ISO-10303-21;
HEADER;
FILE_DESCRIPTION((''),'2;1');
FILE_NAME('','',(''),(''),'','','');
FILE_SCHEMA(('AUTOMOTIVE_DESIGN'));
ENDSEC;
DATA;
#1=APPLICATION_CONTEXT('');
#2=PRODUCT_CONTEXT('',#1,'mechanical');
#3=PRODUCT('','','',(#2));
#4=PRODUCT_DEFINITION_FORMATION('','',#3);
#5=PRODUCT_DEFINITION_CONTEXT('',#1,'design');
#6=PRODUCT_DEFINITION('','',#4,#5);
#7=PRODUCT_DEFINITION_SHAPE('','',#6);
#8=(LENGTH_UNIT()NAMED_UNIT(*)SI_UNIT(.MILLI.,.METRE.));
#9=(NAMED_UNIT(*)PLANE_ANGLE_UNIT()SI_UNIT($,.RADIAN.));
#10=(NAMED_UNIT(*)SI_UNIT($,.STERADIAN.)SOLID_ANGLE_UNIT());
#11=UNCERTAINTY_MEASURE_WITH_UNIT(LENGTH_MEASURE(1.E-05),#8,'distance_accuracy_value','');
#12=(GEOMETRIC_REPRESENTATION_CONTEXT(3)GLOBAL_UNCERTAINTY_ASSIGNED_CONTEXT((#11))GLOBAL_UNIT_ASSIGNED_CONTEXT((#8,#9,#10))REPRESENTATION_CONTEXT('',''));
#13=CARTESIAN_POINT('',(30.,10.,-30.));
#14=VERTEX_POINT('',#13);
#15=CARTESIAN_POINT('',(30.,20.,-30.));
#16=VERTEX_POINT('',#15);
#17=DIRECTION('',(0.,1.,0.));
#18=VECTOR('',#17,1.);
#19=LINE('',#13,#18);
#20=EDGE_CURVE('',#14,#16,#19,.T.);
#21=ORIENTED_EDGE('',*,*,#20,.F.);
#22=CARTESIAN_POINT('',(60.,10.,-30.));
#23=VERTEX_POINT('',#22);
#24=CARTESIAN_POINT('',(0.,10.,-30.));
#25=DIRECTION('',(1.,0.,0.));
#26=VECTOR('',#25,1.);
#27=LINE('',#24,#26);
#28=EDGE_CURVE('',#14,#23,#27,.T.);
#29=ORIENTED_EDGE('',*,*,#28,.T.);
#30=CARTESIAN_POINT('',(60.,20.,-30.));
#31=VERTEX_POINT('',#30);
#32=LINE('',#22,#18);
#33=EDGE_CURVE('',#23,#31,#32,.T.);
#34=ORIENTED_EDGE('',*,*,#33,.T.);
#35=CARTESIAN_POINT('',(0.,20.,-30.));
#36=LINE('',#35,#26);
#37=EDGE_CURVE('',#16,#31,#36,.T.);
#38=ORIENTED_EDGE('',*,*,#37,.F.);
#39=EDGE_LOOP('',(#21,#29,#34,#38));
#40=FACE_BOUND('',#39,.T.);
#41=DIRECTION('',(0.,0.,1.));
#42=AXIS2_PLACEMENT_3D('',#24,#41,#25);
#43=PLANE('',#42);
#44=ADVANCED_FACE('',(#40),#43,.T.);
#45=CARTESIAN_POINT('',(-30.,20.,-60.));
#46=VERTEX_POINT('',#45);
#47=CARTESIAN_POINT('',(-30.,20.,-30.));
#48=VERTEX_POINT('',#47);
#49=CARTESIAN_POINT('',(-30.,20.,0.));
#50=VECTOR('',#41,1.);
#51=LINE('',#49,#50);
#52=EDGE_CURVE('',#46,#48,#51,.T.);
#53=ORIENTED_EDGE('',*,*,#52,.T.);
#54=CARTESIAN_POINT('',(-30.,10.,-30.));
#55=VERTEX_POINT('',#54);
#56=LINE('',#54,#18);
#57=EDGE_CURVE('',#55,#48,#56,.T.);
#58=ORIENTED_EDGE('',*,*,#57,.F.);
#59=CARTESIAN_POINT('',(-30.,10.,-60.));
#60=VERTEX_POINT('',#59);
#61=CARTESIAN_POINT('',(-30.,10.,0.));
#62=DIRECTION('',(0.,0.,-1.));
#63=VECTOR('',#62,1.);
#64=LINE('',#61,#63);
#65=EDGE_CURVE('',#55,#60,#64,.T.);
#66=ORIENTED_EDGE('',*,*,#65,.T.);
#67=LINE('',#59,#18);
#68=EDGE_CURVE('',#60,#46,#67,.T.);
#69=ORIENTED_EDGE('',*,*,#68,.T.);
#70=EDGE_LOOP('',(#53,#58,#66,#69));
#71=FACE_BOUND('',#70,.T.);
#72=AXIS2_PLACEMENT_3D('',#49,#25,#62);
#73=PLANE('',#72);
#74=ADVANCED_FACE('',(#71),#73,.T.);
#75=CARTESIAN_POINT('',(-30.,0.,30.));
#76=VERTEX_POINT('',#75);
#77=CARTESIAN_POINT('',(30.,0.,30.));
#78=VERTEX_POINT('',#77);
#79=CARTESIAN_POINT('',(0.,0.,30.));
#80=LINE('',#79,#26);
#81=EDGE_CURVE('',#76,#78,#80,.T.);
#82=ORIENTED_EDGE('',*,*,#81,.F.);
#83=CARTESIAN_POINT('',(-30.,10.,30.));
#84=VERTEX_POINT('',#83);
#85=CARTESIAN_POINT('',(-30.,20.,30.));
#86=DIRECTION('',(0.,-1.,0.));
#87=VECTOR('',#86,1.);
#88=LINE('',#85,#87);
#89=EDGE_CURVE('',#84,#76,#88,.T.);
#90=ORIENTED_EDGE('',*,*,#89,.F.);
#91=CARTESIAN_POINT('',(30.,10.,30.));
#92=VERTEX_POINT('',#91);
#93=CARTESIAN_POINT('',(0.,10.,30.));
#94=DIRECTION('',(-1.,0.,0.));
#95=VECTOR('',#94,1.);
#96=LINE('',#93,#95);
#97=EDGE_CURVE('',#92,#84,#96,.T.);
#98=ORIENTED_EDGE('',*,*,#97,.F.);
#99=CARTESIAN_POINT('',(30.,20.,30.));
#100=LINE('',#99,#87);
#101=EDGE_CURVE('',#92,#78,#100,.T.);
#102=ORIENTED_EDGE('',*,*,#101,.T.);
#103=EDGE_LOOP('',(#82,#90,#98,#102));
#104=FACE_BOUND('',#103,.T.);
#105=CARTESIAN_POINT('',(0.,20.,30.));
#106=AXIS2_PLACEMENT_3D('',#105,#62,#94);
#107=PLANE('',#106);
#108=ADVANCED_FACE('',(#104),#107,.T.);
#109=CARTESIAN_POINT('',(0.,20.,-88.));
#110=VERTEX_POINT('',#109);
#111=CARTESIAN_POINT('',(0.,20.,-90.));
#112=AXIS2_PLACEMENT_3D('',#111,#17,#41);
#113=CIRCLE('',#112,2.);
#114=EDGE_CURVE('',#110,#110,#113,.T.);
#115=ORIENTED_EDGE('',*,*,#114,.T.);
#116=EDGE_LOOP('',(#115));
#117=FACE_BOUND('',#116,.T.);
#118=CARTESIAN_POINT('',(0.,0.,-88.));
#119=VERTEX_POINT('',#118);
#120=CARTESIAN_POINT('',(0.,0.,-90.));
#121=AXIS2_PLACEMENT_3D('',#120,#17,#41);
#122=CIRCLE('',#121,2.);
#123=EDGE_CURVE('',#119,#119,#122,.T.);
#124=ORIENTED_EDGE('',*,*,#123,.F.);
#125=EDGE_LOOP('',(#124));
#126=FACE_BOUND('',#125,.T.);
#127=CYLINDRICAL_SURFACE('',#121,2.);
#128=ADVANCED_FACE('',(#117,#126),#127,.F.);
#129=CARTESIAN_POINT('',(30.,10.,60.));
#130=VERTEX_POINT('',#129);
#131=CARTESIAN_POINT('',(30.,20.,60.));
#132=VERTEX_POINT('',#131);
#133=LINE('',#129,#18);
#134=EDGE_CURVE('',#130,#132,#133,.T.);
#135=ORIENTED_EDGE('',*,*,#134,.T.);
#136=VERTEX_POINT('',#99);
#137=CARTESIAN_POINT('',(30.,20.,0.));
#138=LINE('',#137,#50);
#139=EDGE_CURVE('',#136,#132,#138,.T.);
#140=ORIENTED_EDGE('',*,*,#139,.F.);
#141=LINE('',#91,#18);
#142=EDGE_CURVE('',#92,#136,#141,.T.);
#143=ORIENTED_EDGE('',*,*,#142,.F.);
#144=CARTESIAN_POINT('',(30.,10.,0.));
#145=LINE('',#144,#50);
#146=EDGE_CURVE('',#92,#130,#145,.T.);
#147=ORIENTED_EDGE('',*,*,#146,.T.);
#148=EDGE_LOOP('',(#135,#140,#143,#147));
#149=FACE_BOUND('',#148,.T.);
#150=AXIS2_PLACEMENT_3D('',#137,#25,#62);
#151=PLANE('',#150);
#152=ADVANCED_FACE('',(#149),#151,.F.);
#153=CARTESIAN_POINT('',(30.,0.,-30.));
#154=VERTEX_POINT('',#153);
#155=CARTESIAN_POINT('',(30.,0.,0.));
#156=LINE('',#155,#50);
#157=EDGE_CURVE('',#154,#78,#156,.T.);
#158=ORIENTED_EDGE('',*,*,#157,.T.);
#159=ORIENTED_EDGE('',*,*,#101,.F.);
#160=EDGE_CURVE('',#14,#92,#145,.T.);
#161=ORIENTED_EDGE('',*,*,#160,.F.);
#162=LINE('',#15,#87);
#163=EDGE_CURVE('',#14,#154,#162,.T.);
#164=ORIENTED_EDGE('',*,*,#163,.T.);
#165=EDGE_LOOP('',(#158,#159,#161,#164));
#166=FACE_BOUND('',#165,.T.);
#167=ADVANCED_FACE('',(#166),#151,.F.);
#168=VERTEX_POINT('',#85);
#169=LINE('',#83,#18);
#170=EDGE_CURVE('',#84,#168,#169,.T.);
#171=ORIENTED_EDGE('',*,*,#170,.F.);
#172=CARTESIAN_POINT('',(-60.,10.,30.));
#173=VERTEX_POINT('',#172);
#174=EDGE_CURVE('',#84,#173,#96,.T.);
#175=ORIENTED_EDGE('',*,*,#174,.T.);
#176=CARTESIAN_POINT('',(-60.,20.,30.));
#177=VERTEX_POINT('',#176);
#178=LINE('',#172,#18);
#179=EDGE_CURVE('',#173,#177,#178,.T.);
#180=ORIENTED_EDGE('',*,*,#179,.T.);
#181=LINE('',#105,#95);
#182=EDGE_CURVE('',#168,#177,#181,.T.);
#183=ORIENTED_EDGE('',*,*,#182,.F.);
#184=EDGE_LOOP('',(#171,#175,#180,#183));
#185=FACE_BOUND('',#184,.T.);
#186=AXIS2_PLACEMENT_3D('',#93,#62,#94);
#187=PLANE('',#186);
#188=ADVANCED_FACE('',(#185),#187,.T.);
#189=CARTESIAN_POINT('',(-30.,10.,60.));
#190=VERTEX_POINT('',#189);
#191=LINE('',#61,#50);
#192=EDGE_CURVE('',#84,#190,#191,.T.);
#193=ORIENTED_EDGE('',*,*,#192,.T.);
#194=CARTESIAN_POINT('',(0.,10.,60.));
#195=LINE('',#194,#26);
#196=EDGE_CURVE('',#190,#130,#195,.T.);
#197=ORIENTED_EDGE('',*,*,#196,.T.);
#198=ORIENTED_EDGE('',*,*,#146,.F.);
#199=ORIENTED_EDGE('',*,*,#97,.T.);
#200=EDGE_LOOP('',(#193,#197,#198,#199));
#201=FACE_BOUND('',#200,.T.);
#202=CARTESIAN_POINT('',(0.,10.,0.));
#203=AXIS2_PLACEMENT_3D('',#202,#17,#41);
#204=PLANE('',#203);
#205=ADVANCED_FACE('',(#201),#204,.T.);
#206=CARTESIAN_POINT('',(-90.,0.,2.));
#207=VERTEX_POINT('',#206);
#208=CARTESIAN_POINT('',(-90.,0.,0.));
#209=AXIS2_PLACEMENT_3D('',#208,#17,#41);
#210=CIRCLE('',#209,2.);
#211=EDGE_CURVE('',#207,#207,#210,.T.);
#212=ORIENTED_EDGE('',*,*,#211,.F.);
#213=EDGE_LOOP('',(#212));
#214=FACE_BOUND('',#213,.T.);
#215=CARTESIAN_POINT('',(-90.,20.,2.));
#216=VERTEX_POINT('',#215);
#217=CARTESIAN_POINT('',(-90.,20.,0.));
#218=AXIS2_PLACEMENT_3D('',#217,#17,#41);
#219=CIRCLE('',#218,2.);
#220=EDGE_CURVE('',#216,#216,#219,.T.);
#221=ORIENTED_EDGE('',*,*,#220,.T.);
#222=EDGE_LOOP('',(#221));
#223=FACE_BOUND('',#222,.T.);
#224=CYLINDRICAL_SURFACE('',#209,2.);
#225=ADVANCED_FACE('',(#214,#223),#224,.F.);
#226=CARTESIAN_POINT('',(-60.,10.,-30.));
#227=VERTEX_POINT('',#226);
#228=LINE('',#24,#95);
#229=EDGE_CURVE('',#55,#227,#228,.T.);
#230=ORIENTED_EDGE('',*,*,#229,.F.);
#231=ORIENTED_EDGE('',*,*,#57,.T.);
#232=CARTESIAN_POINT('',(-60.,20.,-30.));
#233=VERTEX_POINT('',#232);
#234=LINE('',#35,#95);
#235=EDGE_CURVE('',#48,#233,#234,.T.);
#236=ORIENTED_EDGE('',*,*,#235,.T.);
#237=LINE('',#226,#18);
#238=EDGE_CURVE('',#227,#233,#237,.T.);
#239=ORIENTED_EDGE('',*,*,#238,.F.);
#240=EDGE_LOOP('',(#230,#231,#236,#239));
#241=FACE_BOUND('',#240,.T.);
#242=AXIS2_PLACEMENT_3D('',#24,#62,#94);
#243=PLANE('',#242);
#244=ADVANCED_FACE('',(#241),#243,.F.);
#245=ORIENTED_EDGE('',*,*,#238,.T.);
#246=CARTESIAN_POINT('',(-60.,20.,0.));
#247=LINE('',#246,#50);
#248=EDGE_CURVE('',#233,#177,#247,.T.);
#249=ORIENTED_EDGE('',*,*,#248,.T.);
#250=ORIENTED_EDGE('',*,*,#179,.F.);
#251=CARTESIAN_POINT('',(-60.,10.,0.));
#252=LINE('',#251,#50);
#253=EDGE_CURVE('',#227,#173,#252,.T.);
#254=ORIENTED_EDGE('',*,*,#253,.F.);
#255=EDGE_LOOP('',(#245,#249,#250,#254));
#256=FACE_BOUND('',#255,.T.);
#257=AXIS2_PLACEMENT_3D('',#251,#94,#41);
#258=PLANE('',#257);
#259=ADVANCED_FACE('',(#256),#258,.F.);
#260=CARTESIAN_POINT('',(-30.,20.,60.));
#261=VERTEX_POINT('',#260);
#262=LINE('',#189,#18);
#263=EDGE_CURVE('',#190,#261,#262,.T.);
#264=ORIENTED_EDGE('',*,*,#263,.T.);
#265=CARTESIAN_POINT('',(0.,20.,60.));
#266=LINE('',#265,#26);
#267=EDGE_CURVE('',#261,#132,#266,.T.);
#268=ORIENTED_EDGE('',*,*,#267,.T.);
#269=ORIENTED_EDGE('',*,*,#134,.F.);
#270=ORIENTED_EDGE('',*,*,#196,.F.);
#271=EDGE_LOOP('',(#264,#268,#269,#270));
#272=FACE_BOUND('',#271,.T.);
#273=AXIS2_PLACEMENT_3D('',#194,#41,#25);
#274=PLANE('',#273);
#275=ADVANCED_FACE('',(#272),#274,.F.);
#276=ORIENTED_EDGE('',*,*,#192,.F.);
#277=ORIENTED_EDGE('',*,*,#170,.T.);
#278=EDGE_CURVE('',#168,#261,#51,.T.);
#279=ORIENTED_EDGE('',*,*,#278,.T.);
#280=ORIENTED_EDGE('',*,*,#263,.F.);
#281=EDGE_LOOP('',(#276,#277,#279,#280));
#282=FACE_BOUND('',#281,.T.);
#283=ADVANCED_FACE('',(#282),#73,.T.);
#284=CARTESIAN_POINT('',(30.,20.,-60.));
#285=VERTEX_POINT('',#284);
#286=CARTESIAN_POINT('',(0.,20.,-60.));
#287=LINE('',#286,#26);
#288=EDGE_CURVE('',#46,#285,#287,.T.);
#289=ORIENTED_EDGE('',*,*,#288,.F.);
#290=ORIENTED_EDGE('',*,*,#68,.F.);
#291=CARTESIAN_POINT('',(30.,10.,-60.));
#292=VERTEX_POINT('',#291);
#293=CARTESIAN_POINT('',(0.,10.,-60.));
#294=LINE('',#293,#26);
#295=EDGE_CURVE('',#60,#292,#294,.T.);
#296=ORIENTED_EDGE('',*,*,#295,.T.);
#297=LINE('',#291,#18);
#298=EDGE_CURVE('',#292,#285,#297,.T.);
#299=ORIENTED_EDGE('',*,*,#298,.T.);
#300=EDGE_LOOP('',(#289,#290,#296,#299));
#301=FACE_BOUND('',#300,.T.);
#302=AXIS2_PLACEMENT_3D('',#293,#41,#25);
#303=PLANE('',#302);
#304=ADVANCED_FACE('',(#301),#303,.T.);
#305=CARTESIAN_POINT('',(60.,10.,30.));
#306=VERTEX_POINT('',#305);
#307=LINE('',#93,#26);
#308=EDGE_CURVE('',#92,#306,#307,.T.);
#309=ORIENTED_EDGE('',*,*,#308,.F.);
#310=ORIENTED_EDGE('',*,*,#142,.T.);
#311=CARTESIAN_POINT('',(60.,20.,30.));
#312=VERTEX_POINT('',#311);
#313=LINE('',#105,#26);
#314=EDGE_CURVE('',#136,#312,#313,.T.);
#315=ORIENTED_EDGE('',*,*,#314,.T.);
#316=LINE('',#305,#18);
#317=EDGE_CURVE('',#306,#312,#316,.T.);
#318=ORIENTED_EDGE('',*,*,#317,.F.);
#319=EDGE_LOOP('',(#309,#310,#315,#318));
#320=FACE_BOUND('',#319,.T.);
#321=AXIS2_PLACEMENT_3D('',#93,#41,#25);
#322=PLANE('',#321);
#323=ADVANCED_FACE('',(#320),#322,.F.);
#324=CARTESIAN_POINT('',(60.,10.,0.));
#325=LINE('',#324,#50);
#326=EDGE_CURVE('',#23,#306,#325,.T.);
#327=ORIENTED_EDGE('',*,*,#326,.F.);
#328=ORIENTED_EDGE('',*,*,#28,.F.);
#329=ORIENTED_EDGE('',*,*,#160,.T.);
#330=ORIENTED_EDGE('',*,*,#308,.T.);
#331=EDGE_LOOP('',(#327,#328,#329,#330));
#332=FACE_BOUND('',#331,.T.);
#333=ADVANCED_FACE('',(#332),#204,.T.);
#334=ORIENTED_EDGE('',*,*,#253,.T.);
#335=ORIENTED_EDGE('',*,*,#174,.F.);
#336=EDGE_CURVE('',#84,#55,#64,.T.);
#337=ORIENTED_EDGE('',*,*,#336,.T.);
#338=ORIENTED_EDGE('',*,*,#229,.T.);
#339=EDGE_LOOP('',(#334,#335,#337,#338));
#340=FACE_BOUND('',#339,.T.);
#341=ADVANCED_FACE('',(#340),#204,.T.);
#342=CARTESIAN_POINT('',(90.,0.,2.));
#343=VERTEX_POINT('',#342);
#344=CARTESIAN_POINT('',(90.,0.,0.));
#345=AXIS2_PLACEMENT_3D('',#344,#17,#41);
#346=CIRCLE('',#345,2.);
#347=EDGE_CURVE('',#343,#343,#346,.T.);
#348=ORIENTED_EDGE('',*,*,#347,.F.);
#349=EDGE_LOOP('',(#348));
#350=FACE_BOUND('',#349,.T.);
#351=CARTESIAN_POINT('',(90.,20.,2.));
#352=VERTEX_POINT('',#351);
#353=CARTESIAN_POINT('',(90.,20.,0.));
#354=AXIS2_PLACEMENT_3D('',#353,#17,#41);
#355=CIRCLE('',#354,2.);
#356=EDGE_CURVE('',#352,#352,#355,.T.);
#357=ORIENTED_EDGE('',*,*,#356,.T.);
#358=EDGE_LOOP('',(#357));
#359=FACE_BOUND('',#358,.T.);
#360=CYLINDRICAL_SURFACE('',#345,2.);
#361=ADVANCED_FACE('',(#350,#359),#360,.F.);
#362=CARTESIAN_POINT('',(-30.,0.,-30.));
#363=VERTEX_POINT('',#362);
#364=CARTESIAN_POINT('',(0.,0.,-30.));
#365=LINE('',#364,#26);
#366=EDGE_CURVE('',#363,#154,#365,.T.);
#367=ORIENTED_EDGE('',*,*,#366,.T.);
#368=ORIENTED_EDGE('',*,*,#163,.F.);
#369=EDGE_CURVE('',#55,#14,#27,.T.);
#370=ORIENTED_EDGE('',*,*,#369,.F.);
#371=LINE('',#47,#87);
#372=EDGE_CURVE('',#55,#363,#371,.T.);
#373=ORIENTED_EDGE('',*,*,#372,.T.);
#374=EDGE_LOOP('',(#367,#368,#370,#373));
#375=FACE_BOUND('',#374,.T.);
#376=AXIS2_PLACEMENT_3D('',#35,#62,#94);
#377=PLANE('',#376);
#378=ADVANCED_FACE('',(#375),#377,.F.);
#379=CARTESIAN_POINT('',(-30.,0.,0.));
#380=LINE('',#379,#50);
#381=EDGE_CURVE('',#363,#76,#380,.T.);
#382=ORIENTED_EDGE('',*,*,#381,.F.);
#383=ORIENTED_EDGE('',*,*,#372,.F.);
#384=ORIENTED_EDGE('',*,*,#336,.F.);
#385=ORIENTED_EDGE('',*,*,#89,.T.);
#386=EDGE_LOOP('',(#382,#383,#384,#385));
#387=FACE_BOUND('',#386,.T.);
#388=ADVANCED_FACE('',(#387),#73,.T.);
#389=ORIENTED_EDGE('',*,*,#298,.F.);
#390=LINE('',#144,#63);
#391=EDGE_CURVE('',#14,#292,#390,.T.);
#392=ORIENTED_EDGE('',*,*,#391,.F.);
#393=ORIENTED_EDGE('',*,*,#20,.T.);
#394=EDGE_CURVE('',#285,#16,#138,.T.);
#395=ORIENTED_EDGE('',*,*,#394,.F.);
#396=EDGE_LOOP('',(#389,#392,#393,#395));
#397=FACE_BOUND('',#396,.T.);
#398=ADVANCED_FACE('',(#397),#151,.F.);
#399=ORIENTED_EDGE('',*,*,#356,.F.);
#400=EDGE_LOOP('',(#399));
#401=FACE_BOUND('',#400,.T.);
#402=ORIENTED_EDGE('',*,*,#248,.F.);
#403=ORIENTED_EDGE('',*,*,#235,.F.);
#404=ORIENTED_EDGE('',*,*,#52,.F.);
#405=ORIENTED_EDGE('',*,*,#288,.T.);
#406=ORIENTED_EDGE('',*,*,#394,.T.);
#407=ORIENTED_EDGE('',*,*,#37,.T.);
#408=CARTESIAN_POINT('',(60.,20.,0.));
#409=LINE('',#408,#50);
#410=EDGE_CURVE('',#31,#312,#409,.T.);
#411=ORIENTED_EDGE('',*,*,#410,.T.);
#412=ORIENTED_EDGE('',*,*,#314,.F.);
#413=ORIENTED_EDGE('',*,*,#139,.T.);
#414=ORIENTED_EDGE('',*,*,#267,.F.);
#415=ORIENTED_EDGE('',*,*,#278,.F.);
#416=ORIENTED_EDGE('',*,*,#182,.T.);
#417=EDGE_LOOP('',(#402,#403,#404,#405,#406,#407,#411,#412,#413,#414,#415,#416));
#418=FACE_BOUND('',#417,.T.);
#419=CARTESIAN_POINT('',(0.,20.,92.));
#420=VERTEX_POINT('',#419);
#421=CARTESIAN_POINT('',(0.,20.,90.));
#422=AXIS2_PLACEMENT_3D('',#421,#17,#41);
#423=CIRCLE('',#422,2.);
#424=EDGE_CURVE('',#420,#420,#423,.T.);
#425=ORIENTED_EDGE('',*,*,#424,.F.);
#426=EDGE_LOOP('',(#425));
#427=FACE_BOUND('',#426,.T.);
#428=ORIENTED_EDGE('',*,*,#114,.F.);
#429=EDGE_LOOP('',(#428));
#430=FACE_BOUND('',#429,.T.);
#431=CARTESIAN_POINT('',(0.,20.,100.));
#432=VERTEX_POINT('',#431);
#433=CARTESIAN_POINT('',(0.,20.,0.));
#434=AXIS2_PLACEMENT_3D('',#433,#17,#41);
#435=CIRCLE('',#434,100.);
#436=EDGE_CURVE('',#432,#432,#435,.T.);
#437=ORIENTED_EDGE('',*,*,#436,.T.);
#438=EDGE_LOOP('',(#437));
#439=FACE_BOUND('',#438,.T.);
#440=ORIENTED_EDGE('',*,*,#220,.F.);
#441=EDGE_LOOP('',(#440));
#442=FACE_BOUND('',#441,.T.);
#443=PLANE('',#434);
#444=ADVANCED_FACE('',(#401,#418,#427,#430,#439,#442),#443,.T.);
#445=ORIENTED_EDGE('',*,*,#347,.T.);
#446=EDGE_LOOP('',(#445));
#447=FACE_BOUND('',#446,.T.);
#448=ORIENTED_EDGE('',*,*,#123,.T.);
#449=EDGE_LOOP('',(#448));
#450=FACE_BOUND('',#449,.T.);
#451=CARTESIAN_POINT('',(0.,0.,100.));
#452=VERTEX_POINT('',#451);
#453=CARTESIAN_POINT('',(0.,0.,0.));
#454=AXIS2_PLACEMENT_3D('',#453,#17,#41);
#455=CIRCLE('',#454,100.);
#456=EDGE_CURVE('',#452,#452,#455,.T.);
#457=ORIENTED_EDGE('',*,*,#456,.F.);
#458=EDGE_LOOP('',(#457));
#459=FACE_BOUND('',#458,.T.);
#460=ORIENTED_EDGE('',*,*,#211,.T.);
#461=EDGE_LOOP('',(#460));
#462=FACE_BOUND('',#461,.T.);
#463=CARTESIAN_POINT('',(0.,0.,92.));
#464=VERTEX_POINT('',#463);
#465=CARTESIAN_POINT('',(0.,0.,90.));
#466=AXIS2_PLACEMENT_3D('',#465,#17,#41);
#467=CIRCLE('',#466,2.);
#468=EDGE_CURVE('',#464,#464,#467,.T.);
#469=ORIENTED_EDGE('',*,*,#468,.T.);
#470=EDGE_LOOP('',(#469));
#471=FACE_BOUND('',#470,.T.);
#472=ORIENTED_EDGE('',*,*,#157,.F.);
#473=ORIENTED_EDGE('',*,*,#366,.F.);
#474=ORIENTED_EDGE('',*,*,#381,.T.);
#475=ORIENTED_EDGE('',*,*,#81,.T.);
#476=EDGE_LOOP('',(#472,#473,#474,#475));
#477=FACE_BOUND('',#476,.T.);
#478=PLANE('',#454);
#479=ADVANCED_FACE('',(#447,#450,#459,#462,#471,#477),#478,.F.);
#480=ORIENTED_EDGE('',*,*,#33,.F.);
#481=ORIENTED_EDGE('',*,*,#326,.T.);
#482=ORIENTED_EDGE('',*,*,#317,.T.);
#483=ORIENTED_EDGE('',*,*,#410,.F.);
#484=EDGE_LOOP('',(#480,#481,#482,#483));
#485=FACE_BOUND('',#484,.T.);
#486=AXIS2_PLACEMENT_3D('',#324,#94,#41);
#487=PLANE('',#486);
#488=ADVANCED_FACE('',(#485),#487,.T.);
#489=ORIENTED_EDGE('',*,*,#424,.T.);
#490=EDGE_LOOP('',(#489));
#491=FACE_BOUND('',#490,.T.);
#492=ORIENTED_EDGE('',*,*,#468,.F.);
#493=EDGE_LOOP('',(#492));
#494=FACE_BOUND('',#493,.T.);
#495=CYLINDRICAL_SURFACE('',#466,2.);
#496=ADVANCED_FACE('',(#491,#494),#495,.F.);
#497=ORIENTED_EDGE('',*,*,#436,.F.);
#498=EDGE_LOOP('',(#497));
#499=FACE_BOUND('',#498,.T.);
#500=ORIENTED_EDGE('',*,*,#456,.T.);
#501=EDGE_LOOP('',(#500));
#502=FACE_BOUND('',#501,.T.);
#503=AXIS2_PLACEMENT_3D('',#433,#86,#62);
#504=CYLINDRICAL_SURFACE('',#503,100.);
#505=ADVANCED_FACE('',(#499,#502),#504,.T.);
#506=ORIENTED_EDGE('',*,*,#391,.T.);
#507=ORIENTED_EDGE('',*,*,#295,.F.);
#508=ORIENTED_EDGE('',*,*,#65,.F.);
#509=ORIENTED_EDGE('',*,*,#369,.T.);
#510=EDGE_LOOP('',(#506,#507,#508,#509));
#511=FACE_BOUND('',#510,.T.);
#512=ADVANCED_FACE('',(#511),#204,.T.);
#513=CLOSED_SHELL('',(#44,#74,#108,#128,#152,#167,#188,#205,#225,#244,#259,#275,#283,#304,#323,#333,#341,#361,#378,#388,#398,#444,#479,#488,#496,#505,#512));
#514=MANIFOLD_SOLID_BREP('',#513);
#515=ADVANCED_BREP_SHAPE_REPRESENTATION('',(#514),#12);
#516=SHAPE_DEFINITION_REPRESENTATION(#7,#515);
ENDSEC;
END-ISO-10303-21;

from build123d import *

# Parameters (mm, degrees)
ESQUISSE2_R             = 100
ESQUISSE2_W             = 60
ESQUISSE2_H             = 60
BOSS_EXTRU_6_DEPTH      = 20
ESQUISSE3_W             = 60
ESQUISSE3_H             = 30
ESQUISSE3_W_2           = 30
ESQUISSE3_H_2           = 60
ENL_V_MAT_EXTRU_7_DEPTH = 10
ESQUISSE7_R             = 2
ENL_V_MAT_EXTRU_8_DEPTH = 20


with BuildPart() as part:
    # Esquisse2 → Boss.-Extru.6 (new body)
    with BuildSketch(Plane(origin=(0, 0, 0), x_dir=(1, 0, 0), z_dir=(0, 1, 0))):
        with Locations(Location((0, 0, 0), (0, 0, 270))):
            Circle(ESQUISSE2_R)
        Rectangle(ESQUISSE2_W, ESQUISSE2_H, mode=Mode.SUBTRACT)
    extrude(amount=BOSS_EXTRU_6_DEPTH)

    # Esquisse3 → Enlèv. mat.-Extru.7 (cut)
    with BuildSketch(Plane(origin=(0, 20, 0), x_dir=(1, 0, 0), z_dir=(0, 1, 0))):
        with Locations((0, 45)):
            Rectangle(ESQUISSE3_W, ESQUISSE3_H)
        with Locations((45, 0)):
            Rectangle(ESQUISSE3_W_2, ESQUISSE3_H_2)
        with Locations((0, -45)):
            Rectangle(ESQUISSE3_W, ESQUISSE3_H)
        with Locations((-45, 0)):
            Rectangle(ESQUISSE3_W_2, ESQUISSE3_H_2)
    extrude(amount=-ENL_V_MAT_EXTRU_7_DEPTH, mode=Mode.SUBTRACT)

    # Esquisse7 → Enlèv. mat.-Extru.8 (cut)
    with BuildSketch(Plane(origin=(0, 20, 0), x_dir=(1, 0, 0), z_dir=(0, 1, 0))):
        with Locations(Location((0, 90, 0), (0, 0, 270))):
            Circle(ESQUISSE7_R)
        with Locations(Location((90, 0, 0), (0, 0, 270))):
            Circle(ESQUISSE7_R)
        with Locations(Location((0, -90, 0), (0, 0, 270))):
            Circle(ESQUISSE7_R)
        with Locations(Location((-90, 0, 0), (0, 0, 270))):
            Circle(ESQUISSE7_R)
    extrude(amount=-ENL_V_MAT_EXTRU_8_DEPTH, mode=Mode.SUBTRACT)


solid = part.part
